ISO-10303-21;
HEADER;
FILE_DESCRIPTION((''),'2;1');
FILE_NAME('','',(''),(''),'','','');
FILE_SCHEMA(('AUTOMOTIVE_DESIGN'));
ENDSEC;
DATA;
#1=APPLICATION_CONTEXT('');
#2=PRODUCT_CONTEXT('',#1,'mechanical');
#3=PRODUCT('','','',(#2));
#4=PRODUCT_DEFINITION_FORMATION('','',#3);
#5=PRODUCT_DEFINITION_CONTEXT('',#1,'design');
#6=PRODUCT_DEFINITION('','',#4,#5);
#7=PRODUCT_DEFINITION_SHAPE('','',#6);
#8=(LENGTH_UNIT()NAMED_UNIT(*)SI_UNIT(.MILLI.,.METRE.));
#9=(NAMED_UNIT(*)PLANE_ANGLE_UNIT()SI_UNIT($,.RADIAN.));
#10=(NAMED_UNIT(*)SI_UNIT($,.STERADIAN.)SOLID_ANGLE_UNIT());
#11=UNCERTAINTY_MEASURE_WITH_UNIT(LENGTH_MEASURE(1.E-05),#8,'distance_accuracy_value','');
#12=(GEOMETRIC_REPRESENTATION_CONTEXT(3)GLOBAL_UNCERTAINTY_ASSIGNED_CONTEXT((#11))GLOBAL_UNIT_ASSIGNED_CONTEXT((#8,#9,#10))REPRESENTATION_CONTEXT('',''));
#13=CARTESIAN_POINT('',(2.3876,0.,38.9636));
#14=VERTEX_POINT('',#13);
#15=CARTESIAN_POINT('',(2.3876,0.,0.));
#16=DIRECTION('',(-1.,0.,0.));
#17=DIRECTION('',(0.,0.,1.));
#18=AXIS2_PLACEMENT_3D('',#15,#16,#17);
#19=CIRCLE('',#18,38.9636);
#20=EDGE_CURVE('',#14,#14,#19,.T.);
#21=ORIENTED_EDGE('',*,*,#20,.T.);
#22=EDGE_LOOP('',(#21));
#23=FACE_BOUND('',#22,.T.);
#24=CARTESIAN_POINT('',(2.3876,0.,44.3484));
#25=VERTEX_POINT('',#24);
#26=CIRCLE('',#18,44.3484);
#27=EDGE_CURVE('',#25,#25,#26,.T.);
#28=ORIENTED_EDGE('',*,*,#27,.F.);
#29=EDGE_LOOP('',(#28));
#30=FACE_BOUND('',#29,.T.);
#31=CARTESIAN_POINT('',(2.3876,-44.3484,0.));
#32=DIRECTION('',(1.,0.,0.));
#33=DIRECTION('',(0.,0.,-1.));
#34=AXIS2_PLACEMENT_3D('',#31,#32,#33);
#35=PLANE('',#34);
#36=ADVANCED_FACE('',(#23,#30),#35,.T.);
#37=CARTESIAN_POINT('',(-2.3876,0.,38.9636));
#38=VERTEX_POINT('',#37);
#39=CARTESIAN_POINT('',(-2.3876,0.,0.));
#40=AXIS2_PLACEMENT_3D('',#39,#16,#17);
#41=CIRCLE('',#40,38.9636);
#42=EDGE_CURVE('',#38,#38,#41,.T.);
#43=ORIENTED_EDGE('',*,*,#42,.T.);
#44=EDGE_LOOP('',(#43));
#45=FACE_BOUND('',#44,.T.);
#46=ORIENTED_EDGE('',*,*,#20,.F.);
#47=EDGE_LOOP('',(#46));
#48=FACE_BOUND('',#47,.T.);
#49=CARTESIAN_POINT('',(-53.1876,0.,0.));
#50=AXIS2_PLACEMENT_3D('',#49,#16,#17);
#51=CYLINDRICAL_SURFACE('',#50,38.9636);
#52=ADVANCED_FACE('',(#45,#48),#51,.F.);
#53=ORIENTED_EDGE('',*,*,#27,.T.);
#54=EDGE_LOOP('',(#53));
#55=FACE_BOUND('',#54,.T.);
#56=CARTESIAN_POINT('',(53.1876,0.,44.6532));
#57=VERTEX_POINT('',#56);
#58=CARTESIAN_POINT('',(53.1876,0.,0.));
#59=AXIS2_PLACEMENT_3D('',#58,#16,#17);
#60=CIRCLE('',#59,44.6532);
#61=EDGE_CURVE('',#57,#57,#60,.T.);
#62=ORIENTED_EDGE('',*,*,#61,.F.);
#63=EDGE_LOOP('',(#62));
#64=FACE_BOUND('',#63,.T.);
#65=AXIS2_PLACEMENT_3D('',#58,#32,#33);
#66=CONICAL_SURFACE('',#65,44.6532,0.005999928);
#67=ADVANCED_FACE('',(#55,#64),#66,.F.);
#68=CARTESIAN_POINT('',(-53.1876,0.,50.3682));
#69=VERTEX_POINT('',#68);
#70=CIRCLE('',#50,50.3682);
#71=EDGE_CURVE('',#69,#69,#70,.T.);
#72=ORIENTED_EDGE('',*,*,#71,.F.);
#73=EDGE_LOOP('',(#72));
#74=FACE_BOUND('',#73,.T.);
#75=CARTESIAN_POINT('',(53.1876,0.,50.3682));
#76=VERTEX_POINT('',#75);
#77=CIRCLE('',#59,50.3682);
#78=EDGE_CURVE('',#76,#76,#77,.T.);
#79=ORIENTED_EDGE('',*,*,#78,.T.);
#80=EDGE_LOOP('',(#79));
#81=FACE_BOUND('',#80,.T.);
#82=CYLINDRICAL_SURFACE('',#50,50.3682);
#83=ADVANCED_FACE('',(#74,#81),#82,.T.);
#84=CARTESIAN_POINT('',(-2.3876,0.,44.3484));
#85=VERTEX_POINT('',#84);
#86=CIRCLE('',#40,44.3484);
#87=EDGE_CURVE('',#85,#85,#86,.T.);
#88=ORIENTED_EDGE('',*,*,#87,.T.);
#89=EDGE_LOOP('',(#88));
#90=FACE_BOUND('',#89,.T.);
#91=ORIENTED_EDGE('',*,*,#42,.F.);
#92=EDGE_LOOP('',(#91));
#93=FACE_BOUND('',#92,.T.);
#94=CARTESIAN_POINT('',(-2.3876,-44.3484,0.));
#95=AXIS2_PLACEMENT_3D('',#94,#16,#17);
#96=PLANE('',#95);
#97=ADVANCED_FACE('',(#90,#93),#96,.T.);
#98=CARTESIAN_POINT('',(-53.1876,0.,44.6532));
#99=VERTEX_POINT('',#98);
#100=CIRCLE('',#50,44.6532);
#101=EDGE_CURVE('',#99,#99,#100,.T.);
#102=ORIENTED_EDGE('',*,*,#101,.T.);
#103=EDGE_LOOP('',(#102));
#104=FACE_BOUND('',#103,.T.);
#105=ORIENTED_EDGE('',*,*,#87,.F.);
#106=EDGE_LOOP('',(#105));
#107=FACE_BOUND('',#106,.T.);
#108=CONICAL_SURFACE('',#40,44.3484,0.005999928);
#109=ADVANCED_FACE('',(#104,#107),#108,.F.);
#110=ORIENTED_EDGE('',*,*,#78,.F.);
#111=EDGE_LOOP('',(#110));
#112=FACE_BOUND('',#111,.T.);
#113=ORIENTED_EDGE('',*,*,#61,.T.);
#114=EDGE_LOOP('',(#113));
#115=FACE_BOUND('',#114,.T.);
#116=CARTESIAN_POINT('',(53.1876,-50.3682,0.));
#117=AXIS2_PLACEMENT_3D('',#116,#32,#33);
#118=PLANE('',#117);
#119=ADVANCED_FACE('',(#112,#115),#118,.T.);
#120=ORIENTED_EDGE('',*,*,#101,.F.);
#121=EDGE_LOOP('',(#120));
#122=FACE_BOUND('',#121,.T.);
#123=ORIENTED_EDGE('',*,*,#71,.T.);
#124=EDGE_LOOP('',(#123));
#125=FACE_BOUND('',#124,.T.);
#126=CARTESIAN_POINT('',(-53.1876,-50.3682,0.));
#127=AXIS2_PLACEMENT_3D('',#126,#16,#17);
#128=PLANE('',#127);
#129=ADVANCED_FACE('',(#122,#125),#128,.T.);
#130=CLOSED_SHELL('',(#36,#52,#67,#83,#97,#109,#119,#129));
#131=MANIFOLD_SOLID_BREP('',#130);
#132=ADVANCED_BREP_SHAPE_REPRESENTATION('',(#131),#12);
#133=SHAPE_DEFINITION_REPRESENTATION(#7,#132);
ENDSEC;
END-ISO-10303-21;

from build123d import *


with BuildPart() as part:
    # Sketch1 → Revolve1 (revolve)
    with BuildSketch(Plane.XY):
        Polygon((-2.3876, -38.9636), (2.3876, -38.9636), (2.3876, -44.3484), (53.1876, -44.6532), (53.1876, -50.3682), (-53.1876, -50.3682), (-53.1876, -44.6532), (-2.3876, -44.3484), align=None)
    revolve(axis=Axis((-53.1876, 0, 0), (1, 0, 0)))


solid = part.part
